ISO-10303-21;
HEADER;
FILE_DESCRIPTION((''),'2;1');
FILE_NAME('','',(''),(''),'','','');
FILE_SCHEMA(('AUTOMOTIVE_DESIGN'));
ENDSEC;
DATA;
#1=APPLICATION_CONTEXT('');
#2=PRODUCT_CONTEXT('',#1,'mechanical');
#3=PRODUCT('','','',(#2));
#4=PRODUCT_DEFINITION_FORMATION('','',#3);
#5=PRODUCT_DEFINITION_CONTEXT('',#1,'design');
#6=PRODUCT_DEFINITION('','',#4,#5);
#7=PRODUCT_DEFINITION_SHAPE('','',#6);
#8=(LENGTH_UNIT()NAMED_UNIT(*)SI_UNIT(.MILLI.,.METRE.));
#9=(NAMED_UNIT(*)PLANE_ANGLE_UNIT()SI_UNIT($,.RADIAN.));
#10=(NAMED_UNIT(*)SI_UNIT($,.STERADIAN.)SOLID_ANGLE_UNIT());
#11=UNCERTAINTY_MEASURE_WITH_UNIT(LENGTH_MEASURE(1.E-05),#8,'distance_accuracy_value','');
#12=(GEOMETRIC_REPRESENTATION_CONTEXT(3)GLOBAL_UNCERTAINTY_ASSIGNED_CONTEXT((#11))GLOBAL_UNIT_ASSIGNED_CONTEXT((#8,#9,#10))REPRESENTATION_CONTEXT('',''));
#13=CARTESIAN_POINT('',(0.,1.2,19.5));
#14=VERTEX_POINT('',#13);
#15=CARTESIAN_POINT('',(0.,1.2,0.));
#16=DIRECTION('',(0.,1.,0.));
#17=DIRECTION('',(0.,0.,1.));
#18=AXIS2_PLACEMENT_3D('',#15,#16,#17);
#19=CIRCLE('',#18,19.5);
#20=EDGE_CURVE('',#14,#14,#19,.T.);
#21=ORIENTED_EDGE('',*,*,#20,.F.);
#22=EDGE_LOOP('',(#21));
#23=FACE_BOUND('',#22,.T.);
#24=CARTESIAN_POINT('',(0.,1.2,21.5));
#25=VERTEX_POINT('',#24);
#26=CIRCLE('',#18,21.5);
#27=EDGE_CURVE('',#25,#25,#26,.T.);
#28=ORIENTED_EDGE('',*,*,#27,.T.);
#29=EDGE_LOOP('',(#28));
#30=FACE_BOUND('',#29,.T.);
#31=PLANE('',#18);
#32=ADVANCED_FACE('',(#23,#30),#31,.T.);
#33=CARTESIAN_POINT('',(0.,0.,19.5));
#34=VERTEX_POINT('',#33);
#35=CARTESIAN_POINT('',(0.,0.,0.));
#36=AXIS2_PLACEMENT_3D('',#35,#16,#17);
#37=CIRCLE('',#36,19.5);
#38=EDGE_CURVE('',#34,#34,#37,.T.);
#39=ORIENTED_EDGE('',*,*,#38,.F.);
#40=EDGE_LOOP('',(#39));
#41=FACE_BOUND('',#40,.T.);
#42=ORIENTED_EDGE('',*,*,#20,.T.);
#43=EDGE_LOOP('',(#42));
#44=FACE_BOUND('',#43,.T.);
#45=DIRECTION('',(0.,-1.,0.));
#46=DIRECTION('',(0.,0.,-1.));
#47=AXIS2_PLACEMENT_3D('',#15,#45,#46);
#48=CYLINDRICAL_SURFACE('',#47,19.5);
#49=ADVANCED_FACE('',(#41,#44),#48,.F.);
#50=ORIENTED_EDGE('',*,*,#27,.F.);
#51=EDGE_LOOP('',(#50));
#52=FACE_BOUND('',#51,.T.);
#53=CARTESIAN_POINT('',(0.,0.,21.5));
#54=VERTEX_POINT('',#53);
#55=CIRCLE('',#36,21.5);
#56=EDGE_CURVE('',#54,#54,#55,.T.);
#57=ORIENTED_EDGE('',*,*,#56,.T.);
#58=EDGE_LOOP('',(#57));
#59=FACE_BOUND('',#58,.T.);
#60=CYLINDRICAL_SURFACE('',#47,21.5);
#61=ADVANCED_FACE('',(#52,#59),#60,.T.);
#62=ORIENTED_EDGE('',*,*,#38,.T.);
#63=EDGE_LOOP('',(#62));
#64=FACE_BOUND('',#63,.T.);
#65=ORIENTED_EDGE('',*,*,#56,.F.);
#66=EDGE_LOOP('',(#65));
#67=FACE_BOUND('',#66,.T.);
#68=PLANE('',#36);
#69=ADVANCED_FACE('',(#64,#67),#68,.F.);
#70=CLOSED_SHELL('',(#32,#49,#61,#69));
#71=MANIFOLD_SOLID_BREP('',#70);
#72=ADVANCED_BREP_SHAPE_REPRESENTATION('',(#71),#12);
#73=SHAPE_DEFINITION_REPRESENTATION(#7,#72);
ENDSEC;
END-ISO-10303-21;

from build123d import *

# Parameters (mm, degrees)
SKETCH_1_R      = 21.5
SKETCH_1_R_2    = 19.5
EXTRUDE_1_DEPTH = 1.2


with BuildPart() as part:
    # 草图1 → 凸台-拉伸1 (new body)
    with BuildSketch(Plane(origin=(0, 0, 0), x_dir=(1, 0, 0), z_dir=(0, 1, 0))):
        with Locations(Location((0, 0, 0), (0, 0, 270))):
            Circle(SKETCH_1_R)
        with Locations(Location((0, 0, 0), (0, 0, 270))):
            Circle(SKETCH_1_R_2, mode=Mode.SUBTRACT)
    extrude(amount=EXTRUDE_1_DEPTH)


solid = part.part
